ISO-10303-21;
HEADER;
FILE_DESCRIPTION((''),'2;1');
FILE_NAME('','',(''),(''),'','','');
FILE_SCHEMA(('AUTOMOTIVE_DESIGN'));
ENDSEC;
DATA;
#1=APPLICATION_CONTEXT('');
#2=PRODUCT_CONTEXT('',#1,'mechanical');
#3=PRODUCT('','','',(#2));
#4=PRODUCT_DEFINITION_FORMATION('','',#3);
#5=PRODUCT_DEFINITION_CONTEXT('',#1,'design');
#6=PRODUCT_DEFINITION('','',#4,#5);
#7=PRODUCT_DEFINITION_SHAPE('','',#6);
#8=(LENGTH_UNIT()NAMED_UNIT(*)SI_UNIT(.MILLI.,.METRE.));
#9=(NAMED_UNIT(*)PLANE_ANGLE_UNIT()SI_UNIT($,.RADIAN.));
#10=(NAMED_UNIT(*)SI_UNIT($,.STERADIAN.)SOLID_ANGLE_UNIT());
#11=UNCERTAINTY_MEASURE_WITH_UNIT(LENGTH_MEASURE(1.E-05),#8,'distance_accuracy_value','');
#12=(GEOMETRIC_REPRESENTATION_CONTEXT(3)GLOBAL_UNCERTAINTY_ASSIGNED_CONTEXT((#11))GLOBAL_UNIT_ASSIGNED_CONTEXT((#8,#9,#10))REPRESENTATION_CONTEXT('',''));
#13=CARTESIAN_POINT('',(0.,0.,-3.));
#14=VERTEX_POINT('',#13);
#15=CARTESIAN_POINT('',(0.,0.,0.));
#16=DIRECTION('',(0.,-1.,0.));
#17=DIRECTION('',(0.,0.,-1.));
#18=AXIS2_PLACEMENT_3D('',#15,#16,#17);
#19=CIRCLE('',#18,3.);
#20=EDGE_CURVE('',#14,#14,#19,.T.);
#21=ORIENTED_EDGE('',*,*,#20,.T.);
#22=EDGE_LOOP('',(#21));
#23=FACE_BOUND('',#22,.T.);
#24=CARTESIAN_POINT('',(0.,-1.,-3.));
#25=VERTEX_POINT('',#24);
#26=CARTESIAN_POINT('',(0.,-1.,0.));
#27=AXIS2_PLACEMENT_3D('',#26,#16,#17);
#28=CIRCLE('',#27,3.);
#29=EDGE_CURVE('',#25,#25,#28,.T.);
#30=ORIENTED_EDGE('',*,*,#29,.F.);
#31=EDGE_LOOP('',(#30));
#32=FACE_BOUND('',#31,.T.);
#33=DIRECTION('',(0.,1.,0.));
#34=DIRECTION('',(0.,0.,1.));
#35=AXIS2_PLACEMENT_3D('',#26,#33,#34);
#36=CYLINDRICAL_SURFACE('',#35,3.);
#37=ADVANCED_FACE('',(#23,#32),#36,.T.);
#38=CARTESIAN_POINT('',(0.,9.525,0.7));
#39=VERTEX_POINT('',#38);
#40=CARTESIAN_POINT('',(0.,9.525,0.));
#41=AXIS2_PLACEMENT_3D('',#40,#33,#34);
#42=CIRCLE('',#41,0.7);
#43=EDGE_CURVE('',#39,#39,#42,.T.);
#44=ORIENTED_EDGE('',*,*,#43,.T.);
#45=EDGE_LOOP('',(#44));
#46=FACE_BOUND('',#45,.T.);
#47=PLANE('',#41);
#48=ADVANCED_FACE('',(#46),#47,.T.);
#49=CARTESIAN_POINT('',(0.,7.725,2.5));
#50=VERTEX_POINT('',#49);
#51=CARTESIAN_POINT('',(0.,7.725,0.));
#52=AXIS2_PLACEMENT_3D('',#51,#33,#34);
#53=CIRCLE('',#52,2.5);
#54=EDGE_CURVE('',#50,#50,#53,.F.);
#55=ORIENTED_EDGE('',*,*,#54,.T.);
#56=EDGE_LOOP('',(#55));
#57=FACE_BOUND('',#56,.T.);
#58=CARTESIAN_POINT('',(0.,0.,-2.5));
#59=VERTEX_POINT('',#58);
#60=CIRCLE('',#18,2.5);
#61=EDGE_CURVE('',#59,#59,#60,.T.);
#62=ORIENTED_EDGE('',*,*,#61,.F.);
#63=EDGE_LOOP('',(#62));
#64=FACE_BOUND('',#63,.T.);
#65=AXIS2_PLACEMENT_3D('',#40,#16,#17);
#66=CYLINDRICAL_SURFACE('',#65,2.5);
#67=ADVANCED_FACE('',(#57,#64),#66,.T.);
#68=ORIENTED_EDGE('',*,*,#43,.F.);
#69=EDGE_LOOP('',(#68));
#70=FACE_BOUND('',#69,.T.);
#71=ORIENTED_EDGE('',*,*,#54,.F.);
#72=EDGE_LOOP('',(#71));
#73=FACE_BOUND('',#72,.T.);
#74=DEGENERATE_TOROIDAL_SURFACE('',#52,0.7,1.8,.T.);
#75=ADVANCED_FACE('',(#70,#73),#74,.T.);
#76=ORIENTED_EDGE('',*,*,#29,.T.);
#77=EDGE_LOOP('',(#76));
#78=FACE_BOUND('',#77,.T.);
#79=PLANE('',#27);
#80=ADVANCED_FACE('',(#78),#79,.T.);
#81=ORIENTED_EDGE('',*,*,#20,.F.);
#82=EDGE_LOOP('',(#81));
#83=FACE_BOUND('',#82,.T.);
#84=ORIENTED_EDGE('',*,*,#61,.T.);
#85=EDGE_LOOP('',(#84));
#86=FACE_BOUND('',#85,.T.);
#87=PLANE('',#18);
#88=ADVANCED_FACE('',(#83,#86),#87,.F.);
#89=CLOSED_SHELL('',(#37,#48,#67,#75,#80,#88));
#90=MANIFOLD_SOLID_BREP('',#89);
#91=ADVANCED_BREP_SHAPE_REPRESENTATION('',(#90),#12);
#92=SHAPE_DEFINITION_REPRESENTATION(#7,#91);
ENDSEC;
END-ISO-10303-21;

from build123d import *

# Parameters (mm, degrees)
SKETCH1_R           = 2.5
BOSS_EXTRUDE1_DEPTH = 9.525
SKETCH2_R           = 3
BOSS_EXTRUDE2_DEPTH = 1
FILLET1_R           = 1.8


with BuildPart() as part:
    # Sketch1 → Boss-Extrude1 (new body)
    with BuildSketch(Plane(origin=(0, 0, 0), x_dir=(1, 0, 0), z_dir=(0, 1, 0))):
        Circle(SKETCH1_R)
    extrude(amount=BOSS_EXTRUDE1_DEPTH)

    # Sketch2 → Boss-Extrude2 (add)
    with BuildSketch(Plane.XZ):
        Circle(SKETCH2_R)
    extrude(amount=BOSS_EXTRUDE2_DEPTH)

    # Fillet1
    fillet1_edges = [part.edges().sort_by_distance(p)[0] for p in [
        (-2.5, 9.525, 0),
    ]]
    fillet(fillet1_edges, radius=FILLET1_R)


solid = part.part
